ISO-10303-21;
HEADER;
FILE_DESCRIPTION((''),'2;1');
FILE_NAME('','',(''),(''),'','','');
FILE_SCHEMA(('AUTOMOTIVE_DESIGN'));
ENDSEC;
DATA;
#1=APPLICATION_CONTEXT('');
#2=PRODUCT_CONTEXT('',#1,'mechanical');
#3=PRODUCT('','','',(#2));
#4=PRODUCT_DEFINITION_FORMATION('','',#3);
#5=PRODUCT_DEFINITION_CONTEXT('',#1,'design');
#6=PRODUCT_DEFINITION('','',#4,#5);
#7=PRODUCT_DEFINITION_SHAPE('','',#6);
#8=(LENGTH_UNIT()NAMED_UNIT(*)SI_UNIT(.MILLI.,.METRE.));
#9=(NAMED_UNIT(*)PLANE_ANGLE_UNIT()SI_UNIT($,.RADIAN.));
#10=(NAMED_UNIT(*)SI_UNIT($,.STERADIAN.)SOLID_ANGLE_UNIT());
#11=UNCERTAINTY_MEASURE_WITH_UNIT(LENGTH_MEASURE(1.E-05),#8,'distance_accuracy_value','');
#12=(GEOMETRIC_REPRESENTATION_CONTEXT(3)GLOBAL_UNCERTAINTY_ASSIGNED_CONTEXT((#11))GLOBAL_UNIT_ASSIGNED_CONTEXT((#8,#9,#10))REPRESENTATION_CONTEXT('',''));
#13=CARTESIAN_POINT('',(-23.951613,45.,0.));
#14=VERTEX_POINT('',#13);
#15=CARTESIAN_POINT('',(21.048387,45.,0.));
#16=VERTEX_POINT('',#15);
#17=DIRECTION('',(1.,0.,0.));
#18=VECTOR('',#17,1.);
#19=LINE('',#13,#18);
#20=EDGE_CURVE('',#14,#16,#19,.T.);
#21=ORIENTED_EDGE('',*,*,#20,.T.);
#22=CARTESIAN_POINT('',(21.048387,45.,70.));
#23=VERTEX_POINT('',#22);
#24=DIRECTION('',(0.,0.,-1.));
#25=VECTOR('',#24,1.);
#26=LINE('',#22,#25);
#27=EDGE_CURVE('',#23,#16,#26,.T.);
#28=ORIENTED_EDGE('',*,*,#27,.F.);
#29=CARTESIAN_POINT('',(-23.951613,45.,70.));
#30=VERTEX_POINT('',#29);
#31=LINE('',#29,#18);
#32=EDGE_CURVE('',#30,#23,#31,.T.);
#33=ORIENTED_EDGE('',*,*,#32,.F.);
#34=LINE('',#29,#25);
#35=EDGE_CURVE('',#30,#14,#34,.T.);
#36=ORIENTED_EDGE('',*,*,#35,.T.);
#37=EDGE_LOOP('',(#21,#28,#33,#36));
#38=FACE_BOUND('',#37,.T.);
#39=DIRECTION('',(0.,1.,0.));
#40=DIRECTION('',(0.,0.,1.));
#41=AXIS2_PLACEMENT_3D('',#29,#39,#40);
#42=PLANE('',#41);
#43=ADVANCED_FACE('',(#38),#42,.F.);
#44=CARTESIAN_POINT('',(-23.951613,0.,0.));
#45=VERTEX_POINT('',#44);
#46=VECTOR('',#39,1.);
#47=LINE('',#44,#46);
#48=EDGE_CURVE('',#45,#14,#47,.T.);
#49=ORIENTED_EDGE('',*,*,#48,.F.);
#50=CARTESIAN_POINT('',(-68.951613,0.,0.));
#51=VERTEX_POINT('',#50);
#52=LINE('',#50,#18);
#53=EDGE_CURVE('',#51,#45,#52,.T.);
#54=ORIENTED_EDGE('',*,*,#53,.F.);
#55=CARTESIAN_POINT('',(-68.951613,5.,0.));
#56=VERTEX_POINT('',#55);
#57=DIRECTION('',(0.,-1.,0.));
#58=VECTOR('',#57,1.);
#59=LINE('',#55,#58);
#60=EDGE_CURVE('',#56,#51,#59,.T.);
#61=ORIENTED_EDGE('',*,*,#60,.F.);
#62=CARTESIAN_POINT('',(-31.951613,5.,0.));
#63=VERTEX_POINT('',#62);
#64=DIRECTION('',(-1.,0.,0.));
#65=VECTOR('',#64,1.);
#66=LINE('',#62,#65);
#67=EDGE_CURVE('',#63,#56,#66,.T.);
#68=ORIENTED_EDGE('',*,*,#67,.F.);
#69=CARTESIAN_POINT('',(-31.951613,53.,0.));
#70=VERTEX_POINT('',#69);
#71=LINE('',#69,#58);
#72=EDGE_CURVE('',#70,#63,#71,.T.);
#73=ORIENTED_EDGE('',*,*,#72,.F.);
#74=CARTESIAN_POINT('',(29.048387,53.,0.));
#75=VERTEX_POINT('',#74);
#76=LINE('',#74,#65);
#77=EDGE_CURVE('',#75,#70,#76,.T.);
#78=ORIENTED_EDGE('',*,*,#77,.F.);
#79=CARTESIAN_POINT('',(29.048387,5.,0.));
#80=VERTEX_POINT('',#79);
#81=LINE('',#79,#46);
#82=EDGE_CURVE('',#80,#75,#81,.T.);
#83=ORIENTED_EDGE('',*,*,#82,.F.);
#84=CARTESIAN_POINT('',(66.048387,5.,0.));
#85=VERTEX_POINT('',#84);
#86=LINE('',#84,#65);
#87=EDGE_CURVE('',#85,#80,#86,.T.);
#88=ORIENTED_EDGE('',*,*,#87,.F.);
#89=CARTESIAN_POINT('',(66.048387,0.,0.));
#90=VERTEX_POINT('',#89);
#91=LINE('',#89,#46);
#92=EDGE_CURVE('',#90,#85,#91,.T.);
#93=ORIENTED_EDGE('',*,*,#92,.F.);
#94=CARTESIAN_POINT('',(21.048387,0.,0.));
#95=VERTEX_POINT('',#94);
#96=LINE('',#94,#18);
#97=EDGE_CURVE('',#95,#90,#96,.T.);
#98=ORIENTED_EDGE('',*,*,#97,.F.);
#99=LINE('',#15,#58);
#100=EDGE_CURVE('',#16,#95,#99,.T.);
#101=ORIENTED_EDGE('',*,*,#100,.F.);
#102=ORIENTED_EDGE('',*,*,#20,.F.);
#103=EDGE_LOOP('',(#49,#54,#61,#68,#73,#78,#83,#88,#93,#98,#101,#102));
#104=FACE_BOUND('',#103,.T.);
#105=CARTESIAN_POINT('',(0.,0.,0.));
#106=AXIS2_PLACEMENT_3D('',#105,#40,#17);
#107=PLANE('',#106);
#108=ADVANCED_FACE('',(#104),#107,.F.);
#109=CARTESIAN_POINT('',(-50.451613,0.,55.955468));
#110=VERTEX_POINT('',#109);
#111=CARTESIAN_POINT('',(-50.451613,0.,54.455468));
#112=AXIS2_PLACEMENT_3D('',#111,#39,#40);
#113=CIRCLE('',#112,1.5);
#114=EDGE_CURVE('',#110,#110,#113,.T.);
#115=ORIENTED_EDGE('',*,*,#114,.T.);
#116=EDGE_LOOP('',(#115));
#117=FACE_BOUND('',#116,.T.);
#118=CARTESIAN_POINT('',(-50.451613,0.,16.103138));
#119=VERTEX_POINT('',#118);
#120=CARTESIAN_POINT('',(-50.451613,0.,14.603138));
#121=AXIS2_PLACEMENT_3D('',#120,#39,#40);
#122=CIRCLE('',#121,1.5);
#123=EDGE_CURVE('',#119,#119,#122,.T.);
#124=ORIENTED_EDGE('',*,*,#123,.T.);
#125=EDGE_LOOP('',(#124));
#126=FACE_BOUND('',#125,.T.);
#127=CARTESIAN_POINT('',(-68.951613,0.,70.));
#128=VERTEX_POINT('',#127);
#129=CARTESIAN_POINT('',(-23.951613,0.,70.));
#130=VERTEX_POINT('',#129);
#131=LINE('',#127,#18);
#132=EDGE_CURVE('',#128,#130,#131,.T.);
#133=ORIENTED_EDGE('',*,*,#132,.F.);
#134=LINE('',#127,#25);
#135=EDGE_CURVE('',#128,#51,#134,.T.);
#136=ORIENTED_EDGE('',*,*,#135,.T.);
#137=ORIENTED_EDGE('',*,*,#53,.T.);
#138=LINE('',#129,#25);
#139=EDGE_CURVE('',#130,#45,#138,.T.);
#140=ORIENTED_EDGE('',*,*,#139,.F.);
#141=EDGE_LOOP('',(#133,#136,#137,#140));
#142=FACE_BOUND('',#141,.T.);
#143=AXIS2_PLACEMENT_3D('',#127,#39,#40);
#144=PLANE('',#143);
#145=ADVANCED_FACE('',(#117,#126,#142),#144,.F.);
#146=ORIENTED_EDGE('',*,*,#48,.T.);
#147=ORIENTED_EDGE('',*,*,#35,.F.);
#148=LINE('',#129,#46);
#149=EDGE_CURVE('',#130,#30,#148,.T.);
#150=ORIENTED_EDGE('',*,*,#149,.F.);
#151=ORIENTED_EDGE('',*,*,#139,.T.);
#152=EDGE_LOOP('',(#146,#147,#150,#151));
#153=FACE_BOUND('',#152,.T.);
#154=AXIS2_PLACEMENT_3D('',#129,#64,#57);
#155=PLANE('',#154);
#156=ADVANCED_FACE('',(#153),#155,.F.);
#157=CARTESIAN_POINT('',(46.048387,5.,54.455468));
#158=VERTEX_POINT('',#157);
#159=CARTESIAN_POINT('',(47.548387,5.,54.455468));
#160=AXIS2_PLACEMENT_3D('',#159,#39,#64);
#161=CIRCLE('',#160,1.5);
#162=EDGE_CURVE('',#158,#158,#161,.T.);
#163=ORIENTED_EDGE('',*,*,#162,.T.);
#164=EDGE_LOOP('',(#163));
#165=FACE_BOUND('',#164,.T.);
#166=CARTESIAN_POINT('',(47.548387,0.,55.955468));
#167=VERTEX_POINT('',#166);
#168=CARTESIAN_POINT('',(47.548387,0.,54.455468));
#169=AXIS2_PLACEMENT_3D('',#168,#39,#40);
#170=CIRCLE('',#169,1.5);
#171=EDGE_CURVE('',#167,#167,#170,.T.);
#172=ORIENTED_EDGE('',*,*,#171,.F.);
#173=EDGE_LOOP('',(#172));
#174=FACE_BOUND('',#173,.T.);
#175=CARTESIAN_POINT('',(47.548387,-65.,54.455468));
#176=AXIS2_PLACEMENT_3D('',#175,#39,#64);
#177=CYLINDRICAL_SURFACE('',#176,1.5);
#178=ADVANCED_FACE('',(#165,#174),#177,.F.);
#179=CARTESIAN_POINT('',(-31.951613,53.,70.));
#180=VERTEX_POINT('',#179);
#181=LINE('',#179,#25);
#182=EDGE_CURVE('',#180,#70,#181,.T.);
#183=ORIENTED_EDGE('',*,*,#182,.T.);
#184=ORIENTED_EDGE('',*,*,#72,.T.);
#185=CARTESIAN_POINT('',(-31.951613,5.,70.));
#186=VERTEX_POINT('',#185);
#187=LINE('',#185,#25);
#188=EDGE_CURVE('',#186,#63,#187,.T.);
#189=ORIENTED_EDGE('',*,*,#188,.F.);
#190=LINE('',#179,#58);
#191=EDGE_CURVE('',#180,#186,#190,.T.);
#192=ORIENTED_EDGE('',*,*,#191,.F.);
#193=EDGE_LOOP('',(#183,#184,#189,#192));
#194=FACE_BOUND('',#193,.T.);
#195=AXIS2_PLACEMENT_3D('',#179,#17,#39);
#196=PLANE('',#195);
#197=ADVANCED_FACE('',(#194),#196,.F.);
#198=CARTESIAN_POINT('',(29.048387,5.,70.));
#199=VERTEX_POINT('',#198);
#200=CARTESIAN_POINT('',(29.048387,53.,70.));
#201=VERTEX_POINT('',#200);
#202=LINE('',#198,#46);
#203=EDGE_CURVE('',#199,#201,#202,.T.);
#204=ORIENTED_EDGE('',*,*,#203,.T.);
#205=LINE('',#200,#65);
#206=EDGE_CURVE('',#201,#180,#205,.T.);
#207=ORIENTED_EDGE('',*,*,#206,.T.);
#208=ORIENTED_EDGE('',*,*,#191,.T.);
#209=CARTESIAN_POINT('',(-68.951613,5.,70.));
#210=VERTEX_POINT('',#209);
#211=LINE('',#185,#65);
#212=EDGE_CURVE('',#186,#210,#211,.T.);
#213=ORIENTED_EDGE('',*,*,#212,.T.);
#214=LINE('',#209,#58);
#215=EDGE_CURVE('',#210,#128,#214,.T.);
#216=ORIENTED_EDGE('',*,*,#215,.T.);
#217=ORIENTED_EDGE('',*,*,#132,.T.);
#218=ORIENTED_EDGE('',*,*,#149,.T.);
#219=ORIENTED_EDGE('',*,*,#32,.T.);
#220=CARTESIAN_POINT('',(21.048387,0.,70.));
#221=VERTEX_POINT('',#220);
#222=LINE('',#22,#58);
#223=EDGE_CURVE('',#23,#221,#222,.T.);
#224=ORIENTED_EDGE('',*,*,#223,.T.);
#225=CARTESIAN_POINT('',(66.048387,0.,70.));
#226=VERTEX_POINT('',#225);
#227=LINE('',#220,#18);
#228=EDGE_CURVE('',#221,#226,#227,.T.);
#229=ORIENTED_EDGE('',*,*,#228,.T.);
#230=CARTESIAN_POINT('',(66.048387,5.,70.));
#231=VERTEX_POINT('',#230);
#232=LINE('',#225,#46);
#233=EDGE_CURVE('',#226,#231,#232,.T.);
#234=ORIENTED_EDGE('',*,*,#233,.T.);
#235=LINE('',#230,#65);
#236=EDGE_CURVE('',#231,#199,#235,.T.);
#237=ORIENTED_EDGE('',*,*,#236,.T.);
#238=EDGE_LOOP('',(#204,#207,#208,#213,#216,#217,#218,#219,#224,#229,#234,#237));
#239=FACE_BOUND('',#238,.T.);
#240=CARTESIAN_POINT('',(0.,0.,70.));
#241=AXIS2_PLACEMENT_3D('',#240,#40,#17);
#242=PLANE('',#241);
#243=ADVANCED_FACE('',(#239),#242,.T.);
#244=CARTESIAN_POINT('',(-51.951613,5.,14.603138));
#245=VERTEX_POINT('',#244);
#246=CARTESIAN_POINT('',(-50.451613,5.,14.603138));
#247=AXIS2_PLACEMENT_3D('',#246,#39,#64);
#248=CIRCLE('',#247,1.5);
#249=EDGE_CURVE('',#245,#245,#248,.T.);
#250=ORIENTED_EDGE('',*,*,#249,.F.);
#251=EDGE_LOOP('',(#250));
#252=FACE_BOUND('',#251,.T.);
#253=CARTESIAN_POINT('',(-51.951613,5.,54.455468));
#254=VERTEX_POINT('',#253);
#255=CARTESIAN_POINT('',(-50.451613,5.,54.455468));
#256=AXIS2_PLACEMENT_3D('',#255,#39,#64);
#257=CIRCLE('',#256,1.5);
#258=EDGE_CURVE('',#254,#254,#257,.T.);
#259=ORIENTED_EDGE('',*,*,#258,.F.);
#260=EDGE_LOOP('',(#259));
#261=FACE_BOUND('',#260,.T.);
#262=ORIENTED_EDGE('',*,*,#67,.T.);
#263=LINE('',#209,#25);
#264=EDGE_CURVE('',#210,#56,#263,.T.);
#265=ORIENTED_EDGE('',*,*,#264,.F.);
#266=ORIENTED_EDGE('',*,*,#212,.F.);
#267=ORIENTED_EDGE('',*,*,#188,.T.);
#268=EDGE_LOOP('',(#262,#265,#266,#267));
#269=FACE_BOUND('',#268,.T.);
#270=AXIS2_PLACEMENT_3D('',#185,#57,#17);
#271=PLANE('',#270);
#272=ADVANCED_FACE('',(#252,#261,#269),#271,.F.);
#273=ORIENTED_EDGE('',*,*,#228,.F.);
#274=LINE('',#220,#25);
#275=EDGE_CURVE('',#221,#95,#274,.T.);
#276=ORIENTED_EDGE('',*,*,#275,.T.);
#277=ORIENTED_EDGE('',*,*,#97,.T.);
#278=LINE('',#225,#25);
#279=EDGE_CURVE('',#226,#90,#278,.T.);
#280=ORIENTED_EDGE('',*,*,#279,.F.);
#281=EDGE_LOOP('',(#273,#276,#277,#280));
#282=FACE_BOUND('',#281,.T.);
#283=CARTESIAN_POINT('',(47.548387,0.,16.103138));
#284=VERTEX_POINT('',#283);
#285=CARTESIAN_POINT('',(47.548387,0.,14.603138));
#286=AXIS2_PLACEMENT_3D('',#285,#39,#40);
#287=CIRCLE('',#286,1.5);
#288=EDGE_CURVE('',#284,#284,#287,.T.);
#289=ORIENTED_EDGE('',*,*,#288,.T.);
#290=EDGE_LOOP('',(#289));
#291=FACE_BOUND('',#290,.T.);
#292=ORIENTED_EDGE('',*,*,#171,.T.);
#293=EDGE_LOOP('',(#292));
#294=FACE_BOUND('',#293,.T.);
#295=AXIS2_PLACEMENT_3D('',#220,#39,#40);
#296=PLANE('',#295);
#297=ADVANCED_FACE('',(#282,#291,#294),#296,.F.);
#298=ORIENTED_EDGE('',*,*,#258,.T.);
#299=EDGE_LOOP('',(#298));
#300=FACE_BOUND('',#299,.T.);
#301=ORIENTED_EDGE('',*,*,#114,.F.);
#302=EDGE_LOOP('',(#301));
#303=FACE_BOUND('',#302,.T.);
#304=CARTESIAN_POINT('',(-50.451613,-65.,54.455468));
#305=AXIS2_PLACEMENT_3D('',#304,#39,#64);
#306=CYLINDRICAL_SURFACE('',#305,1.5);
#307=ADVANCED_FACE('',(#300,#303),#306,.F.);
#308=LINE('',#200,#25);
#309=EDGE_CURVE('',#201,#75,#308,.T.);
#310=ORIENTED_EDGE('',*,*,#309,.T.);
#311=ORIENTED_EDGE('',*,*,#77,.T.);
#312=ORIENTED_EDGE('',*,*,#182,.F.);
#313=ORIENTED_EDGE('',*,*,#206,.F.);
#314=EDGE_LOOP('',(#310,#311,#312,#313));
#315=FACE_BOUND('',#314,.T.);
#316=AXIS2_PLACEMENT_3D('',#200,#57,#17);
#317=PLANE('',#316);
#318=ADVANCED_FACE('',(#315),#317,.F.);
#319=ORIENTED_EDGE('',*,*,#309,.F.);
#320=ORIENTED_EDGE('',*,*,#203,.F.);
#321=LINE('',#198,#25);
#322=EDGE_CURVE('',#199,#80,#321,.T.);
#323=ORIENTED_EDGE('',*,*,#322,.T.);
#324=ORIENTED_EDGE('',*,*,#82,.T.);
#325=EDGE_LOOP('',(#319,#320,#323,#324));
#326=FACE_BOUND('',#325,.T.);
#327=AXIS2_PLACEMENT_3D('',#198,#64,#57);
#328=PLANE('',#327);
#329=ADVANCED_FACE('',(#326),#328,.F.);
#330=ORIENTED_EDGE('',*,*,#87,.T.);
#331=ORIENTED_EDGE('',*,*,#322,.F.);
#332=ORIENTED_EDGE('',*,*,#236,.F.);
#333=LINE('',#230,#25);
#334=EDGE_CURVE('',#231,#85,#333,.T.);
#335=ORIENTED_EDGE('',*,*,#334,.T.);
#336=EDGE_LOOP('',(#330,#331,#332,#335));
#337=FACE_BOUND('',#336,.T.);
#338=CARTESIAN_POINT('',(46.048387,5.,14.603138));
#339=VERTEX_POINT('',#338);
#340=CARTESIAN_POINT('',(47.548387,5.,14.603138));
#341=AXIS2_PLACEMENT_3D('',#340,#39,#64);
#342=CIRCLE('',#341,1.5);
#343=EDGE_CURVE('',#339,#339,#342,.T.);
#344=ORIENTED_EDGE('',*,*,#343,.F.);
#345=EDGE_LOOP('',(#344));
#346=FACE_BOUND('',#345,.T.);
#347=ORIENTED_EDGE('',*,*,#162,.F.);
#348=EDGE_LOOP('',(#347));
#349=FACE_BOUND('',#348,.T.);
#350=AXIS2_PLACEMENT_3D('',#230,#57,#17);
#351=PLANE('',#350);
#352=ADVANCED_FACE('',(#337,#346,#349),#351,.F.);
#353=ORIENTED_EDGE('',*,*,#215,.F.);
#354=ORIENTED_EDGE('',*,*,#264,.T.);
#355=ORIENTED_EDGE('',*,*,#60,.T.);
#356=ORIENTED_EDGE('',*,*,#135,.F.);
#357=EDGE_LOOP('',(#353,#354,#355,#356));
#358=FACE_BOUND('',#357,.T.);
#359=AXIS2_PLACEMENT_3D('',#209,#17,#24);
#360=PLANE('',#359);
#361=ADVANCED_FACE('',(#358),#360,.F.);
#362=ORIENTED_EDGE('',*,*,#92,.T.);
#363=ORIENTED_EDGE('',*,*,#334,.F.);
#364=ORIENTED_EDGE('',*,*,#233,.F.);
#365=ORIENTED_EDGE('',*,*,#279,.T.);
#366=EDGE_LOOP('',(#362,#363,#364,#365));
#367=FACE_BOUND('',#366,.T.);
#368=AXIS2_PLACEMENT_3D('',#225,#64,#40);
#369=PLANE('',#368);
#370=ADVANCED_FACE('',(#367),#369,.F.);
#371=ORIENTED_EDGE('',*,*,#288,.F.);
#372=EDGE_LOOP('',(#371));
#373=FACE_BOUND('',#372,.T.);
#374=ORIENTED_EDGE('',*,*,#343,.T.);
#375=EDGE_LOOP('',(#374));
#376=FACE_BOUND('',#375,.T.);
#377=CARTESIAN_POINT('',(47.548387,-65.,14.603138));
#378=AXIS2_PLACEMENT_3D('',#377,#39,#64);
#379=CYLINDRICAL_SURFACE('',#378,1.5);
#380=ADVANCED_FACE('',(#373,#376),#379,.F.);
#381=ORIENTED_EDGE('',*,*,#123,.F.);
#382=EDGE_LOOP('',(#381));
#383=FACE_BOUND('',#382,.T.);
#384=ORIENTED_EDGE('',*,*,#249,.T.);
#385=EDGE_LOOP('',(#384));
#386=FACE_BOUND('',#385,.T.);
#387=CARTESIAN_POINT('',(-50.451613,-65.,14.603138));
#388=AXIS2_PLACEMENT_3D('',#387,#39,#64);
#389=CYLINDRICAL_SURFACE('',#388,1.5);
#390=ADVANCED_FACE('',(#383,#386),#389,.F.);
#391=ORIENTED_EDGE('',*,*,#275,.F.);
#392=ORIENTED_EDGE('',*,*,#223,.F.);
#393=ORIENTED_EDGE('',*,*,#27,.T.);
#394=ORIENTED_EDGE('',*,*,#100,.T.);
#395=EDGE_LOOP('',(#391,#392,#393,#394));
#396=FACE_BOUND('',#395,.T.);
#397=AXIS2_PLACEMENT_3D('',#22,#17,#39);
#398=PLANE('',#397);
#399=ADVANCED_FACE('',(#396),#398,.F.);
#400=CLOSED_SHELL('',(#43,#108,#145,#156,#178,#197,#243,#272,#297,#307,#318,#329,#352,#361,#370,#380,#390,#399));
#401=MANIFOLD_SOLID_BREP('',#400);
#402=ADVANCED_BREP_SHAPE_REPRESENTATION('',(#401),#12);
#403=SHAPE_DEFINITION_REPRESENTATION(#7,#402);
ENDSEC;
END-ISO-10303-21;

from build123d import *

# Parameters (mm, degrees)
BOSS_EXTRUDE1_DEPTH = 70
SKETCH6_R           = 1.5
CUT_EXTRUDE1_DEPTH  = 70


with BuildPart() as part:
    # Sketch1 → Boss-Extrude1 (new body)
    with BuildSketch(Plane.XY):
        Polygon((-68.951612903, 0), (-23.951612903, 0), (-23.951612903, 45), (21.048387097, 45), (21.048387097, 0), (66.048387097, 0), (66.048387097, 5), (29.048387097, 5), (29.048387097, 53), (-31.951612903, 53), (-31.951612903, 5), (-68.951612903, 5), align=None)
    extrude(amount=BOSS_EXTRUDE1_DEPTH)

    # Sketch6 → Cut-Extrude1 (cut)
    with BuildSketch(Plane(origin=(0, 5, 0), x_dir=(1, 0, 0), z_dir=(0, 1, 0))):
        with Locations(Location((-50.451612903, -14.603137979, 0), (0, 0, 180))):
            Circle(SKETCH6_R)
        with Locations(Location((-50.451612903, -54.455468389, 0), (0, 0, 180))):
            Circle(SKETCH6_R)
        with Locations(Location((47.548387097, -14.603137979, 0), (0, 0, 180))):
            Circle(SKETCH6_R)
        with Locations(Location((47.548387097, -54.455468389, 0), (0, 0, 180))):
            Circle(SKETCH6_R)
    extrude(amount=-CUT_EXTRUDE1_DEPTH, mode=Mode.SUBTRACT)


solid = part.part
